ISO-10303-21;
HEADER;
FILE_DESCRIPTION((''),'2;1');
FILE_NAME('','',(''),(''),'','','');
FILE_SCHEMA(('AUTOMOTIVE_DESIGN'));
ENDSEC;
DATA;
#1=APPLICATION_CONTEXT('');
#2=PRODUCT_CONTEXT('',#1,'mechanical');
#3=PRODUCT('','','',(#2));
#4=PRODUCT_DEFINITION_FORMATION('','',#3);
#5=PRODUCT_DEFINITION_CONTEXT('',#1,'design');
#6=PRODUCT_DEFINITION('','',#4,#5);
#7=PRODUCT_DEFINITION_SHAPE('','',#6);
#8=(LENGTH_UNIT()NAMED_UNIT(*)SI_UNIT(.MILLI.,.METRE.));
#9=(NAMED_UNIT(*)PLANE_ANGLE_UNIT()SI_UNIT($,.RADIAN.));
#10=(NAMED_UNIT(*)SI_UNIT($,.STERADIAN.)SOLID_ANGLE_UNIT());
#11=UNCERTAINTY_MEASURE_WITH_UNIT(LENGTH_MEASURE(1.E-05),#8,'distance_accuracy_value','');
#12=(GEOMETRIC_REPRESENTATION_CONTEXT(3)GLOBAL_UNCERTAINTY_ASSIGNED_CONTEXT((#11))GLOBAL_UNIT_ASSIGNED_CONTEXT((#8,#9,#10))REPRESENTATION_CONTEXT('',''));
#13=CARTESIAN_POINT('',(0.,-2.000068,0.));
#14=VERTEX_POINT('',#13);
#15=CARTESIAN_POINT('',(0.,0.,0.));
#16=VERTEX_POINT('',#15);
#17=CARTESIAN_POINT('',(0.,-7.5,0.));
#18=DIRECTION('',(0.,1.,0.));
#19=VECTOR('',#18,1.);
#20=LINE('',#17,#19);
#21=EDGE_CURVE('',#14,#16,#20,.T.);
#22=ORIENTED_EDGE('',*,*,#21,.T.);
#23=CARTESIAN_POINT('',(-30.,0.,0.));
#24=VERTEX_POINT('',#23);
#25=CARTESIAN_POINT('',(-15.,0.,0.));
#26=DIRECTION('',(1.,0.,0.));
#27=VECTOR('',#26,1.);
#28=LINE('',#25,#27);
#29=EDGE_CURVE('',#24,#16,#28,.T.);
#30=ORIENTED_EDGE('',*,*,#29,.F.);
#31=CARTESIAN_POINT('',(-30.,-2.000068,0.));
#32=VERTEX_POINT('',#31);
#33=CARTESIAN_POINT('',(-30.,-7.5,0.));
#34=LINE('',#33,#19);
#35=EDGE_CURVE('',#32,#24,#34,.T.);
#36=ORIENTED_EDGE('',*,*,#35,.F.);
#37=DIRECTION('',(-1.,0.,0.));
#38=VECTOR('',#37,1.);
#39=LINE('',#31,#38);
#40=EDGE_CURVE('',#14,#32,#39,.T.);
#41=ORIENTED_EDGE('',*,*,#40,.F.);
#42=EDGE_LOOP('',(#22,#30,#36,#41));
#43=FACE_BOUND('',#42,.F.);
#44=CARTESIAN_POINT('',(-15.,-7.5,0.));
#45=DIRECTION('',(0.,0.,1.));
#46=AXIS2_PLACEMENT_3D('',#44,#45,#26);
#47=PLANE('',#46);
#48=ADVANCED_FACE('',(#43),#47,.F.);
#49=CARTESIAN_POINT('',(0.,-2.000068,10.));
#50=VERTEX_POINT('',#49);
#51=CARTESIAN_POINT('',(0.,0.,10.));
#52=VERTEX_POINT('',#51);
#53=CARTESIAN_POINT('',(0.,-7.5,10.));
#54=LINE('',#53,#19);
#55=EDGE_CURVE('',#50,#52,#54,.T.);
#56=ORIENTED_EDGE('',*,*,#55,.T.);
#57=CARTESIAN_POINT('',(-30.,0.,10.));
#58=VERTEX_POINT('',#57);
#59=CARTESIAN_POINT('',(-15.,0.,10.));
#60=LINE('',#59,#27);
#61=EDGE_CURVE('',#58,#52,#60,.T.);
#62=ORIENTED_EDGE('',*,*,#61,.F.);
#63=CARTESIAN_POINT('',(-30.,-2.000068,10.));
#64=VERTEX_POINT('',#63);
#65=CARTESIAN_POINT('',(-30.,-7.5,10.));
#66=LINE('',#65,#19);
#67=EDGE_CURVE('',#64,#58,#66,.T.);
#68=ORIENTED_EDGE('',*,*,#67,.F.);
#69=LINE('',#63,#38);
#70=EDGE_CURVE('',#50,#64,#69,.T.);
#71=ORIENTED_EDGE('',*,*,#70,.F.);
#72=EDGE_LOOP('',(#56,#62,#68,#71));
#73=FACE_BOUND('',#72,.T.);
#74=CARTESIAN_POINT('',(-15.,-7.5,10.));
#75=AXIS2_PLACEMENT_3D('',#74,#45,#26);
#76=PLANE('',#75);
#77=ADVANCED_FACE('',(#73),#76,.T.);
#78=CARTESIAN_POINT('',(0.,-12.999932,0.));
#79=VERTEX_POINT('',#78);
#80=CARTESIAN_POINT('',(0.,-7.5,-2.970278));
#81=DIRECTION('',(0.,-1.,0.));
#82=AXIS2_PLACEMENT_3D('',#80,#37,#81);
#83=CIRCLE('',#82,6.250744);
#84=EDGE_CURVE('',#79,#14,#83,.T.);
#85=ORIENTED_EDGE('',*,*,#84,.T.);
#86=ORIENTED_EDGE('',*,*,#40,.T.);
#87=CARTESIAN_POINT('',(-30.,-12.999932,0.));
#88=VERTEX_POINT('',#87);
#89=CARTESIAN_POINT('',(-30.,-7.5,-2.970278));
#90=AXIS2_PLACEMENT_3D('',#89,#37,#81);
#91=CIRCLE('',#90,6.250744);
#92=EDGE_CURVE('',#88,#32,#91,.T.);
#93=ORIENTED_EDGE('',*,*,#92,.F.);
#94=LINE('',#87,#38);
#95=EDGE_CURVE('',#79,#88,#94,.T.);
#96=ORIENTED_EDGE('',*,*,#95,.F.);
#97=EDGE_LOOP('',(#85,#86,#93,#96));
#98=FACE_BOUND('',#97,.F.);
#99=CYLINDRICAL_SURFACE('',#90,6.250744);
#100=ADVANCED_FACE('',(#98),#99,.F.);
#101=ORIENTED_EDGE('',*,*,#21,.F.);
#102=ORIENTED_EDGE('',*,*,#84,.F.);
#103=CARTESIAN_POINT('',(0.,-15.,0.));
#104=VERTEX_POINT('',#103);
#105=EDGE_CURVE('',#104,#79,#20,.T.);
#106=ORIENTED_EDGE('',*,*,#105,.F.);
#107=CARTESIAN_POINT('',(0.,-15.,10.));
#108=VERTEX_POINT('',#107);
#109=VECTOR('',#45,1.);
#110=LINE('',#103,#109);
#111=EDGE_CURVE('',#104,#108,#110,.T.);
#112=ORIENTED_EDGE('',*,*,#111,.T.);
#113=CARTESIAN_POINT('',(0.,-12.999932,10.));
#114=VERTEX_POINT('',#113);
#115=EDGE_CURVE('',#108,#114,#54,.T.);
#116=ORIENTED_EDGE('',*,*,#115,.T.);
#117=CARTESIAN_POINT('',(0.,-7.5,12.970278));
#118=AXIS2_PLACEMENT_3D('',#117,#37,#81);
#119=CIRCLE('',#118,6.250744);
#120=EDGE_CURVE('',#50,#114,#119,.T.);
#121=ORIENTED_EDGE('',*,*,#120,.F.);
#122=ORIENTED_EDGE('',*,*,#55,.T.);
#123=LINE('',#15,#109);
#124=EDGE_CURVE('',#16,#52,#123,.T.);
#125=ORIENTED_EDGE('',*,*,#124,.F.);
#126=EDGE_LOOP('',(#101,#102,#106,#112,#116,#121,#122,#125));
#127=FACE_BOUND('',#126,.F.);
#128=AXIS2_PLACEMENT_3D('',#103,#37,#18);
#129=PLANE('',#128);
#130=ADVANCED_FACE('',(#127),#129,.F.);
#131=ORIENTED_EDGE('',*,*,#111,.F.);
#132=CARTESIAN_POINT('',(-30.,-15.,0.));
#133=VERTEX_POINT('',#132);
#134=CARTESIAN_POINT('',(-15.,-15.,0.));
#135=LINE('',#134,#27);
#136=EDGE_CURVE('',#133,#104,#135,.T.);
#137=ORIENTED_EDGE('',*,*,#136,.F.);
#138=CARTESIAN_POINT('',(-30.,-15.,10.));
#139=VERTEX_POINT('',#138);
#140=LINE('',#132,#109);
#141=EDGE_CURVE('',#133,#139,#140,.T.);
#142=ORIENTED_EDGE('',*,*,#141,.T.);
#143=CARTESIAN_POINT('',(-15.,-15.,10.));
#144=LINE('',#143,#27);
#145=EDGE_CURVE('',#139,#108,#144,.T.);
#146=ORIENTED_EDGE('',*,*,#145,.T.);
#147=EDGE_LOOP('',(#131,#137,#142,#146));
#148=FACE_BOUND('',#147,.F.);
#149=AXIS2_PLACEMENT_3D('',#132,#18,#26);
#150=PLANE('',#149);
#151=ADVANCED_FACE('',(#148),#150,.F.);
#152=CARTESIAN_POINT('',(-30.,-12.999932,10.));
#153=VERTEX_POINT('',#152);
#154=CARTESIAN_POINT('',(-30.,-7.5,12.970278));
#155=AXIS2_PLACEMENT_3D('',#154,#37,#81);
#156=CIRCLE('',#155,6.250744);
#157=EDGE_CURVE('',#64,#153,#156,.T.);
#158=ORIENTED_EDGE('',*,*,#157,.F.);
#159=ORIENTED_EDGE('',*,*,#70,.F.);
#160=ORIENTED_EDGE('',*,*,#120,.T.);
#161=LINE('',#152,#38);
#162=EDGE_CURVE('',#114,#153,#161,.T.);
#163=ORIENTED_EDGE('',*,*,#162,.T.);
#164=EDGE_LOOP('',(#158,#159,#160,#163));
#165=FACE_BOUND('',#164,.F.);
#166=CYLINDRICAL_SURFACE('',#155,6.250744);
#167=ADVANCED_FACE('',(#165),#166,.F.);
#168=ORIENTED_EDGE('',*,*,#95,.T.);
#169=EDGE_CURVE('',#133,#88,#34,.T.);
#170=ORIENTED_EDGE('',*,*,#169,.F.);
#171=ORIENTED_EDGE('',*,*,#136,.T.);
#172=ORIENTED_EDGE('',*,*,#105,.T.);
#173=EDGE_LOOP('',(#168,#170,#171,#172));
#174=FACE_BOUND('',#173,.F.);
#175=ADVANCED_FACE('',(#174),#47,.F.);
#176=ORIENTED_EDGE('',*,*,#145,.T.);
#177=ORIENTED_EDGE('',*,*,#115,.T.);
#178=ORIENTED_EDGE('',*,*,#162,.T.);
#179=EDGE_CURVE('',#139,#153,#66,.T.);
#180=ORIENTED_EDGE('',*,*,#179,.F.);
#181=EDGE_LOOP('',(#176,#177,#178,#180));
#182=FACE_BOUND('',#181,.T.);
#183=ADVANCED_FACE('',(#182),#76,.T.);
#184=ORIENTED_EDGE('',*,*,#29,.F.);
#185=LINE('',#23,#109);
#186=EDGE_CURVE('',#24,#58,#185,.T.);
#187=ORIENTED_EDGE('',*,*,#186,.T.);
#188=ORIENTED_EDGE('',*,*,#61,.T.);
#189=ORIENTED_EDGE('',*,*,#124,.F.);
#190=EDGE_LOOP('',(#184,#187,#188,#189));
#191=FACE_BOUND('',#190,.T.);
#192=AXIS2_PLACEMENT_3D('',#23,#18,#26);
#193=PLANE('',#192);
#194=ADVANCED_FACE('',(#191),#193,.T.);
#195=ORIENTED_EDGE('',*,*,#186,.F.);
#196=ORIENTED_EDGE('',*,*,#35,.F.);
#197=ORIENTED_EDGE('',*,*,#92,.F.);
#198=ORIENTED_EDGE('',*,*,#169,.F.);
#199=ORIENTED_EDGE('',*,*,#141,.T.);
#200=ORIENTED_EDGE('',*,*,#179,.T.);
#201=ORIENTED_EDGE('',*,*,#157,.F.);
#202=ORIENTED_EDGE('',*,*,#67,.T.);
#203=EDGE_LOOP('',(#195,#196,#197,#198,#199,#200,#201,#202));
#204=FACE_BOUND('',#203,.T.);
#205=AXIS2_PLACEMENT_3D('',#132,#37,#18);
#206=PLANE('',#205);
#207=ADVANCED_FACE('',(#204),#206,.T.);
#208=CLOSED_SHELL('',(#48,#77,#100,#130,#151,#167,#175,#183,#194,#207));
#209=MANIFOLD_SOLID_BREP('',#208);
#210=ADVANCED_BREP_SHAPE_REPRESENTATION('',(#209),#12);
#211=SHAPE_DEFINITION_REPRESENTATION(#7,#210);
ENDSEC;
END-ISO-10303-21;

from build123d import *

# Parameters (mm, degrees)
F0_W     = 30
F0_H     = 15
F1_DEPTH = 10
F2_R     = 6.250744
F3_DEPTH = 30


with BuildPart() as f1:
    # F0 (on Top) → F1 (new body)
    with BuildSketch(Plane.XY):
        with Locations((-15, -7.5)):
            Rectangle(F0_W, F0_H)
    extrude(amount=F1_DEPTH)

    # F2 (on face) → F3 (cut)
    with BuildSketch(Plane(origin=(-30, 0, 0), x_dir=(0, -1, 0), z_dir=(-1, 0, 0))):
        with Locations((7.5, 12.970278)):
            Circle(F2_R)
        with Locations((7.5, -2.970278)):
            Circle(F2_R)
    extrude(amount=-F3_DEPTH, mode=Mode.SUBTRACT)


solid = f1.part
